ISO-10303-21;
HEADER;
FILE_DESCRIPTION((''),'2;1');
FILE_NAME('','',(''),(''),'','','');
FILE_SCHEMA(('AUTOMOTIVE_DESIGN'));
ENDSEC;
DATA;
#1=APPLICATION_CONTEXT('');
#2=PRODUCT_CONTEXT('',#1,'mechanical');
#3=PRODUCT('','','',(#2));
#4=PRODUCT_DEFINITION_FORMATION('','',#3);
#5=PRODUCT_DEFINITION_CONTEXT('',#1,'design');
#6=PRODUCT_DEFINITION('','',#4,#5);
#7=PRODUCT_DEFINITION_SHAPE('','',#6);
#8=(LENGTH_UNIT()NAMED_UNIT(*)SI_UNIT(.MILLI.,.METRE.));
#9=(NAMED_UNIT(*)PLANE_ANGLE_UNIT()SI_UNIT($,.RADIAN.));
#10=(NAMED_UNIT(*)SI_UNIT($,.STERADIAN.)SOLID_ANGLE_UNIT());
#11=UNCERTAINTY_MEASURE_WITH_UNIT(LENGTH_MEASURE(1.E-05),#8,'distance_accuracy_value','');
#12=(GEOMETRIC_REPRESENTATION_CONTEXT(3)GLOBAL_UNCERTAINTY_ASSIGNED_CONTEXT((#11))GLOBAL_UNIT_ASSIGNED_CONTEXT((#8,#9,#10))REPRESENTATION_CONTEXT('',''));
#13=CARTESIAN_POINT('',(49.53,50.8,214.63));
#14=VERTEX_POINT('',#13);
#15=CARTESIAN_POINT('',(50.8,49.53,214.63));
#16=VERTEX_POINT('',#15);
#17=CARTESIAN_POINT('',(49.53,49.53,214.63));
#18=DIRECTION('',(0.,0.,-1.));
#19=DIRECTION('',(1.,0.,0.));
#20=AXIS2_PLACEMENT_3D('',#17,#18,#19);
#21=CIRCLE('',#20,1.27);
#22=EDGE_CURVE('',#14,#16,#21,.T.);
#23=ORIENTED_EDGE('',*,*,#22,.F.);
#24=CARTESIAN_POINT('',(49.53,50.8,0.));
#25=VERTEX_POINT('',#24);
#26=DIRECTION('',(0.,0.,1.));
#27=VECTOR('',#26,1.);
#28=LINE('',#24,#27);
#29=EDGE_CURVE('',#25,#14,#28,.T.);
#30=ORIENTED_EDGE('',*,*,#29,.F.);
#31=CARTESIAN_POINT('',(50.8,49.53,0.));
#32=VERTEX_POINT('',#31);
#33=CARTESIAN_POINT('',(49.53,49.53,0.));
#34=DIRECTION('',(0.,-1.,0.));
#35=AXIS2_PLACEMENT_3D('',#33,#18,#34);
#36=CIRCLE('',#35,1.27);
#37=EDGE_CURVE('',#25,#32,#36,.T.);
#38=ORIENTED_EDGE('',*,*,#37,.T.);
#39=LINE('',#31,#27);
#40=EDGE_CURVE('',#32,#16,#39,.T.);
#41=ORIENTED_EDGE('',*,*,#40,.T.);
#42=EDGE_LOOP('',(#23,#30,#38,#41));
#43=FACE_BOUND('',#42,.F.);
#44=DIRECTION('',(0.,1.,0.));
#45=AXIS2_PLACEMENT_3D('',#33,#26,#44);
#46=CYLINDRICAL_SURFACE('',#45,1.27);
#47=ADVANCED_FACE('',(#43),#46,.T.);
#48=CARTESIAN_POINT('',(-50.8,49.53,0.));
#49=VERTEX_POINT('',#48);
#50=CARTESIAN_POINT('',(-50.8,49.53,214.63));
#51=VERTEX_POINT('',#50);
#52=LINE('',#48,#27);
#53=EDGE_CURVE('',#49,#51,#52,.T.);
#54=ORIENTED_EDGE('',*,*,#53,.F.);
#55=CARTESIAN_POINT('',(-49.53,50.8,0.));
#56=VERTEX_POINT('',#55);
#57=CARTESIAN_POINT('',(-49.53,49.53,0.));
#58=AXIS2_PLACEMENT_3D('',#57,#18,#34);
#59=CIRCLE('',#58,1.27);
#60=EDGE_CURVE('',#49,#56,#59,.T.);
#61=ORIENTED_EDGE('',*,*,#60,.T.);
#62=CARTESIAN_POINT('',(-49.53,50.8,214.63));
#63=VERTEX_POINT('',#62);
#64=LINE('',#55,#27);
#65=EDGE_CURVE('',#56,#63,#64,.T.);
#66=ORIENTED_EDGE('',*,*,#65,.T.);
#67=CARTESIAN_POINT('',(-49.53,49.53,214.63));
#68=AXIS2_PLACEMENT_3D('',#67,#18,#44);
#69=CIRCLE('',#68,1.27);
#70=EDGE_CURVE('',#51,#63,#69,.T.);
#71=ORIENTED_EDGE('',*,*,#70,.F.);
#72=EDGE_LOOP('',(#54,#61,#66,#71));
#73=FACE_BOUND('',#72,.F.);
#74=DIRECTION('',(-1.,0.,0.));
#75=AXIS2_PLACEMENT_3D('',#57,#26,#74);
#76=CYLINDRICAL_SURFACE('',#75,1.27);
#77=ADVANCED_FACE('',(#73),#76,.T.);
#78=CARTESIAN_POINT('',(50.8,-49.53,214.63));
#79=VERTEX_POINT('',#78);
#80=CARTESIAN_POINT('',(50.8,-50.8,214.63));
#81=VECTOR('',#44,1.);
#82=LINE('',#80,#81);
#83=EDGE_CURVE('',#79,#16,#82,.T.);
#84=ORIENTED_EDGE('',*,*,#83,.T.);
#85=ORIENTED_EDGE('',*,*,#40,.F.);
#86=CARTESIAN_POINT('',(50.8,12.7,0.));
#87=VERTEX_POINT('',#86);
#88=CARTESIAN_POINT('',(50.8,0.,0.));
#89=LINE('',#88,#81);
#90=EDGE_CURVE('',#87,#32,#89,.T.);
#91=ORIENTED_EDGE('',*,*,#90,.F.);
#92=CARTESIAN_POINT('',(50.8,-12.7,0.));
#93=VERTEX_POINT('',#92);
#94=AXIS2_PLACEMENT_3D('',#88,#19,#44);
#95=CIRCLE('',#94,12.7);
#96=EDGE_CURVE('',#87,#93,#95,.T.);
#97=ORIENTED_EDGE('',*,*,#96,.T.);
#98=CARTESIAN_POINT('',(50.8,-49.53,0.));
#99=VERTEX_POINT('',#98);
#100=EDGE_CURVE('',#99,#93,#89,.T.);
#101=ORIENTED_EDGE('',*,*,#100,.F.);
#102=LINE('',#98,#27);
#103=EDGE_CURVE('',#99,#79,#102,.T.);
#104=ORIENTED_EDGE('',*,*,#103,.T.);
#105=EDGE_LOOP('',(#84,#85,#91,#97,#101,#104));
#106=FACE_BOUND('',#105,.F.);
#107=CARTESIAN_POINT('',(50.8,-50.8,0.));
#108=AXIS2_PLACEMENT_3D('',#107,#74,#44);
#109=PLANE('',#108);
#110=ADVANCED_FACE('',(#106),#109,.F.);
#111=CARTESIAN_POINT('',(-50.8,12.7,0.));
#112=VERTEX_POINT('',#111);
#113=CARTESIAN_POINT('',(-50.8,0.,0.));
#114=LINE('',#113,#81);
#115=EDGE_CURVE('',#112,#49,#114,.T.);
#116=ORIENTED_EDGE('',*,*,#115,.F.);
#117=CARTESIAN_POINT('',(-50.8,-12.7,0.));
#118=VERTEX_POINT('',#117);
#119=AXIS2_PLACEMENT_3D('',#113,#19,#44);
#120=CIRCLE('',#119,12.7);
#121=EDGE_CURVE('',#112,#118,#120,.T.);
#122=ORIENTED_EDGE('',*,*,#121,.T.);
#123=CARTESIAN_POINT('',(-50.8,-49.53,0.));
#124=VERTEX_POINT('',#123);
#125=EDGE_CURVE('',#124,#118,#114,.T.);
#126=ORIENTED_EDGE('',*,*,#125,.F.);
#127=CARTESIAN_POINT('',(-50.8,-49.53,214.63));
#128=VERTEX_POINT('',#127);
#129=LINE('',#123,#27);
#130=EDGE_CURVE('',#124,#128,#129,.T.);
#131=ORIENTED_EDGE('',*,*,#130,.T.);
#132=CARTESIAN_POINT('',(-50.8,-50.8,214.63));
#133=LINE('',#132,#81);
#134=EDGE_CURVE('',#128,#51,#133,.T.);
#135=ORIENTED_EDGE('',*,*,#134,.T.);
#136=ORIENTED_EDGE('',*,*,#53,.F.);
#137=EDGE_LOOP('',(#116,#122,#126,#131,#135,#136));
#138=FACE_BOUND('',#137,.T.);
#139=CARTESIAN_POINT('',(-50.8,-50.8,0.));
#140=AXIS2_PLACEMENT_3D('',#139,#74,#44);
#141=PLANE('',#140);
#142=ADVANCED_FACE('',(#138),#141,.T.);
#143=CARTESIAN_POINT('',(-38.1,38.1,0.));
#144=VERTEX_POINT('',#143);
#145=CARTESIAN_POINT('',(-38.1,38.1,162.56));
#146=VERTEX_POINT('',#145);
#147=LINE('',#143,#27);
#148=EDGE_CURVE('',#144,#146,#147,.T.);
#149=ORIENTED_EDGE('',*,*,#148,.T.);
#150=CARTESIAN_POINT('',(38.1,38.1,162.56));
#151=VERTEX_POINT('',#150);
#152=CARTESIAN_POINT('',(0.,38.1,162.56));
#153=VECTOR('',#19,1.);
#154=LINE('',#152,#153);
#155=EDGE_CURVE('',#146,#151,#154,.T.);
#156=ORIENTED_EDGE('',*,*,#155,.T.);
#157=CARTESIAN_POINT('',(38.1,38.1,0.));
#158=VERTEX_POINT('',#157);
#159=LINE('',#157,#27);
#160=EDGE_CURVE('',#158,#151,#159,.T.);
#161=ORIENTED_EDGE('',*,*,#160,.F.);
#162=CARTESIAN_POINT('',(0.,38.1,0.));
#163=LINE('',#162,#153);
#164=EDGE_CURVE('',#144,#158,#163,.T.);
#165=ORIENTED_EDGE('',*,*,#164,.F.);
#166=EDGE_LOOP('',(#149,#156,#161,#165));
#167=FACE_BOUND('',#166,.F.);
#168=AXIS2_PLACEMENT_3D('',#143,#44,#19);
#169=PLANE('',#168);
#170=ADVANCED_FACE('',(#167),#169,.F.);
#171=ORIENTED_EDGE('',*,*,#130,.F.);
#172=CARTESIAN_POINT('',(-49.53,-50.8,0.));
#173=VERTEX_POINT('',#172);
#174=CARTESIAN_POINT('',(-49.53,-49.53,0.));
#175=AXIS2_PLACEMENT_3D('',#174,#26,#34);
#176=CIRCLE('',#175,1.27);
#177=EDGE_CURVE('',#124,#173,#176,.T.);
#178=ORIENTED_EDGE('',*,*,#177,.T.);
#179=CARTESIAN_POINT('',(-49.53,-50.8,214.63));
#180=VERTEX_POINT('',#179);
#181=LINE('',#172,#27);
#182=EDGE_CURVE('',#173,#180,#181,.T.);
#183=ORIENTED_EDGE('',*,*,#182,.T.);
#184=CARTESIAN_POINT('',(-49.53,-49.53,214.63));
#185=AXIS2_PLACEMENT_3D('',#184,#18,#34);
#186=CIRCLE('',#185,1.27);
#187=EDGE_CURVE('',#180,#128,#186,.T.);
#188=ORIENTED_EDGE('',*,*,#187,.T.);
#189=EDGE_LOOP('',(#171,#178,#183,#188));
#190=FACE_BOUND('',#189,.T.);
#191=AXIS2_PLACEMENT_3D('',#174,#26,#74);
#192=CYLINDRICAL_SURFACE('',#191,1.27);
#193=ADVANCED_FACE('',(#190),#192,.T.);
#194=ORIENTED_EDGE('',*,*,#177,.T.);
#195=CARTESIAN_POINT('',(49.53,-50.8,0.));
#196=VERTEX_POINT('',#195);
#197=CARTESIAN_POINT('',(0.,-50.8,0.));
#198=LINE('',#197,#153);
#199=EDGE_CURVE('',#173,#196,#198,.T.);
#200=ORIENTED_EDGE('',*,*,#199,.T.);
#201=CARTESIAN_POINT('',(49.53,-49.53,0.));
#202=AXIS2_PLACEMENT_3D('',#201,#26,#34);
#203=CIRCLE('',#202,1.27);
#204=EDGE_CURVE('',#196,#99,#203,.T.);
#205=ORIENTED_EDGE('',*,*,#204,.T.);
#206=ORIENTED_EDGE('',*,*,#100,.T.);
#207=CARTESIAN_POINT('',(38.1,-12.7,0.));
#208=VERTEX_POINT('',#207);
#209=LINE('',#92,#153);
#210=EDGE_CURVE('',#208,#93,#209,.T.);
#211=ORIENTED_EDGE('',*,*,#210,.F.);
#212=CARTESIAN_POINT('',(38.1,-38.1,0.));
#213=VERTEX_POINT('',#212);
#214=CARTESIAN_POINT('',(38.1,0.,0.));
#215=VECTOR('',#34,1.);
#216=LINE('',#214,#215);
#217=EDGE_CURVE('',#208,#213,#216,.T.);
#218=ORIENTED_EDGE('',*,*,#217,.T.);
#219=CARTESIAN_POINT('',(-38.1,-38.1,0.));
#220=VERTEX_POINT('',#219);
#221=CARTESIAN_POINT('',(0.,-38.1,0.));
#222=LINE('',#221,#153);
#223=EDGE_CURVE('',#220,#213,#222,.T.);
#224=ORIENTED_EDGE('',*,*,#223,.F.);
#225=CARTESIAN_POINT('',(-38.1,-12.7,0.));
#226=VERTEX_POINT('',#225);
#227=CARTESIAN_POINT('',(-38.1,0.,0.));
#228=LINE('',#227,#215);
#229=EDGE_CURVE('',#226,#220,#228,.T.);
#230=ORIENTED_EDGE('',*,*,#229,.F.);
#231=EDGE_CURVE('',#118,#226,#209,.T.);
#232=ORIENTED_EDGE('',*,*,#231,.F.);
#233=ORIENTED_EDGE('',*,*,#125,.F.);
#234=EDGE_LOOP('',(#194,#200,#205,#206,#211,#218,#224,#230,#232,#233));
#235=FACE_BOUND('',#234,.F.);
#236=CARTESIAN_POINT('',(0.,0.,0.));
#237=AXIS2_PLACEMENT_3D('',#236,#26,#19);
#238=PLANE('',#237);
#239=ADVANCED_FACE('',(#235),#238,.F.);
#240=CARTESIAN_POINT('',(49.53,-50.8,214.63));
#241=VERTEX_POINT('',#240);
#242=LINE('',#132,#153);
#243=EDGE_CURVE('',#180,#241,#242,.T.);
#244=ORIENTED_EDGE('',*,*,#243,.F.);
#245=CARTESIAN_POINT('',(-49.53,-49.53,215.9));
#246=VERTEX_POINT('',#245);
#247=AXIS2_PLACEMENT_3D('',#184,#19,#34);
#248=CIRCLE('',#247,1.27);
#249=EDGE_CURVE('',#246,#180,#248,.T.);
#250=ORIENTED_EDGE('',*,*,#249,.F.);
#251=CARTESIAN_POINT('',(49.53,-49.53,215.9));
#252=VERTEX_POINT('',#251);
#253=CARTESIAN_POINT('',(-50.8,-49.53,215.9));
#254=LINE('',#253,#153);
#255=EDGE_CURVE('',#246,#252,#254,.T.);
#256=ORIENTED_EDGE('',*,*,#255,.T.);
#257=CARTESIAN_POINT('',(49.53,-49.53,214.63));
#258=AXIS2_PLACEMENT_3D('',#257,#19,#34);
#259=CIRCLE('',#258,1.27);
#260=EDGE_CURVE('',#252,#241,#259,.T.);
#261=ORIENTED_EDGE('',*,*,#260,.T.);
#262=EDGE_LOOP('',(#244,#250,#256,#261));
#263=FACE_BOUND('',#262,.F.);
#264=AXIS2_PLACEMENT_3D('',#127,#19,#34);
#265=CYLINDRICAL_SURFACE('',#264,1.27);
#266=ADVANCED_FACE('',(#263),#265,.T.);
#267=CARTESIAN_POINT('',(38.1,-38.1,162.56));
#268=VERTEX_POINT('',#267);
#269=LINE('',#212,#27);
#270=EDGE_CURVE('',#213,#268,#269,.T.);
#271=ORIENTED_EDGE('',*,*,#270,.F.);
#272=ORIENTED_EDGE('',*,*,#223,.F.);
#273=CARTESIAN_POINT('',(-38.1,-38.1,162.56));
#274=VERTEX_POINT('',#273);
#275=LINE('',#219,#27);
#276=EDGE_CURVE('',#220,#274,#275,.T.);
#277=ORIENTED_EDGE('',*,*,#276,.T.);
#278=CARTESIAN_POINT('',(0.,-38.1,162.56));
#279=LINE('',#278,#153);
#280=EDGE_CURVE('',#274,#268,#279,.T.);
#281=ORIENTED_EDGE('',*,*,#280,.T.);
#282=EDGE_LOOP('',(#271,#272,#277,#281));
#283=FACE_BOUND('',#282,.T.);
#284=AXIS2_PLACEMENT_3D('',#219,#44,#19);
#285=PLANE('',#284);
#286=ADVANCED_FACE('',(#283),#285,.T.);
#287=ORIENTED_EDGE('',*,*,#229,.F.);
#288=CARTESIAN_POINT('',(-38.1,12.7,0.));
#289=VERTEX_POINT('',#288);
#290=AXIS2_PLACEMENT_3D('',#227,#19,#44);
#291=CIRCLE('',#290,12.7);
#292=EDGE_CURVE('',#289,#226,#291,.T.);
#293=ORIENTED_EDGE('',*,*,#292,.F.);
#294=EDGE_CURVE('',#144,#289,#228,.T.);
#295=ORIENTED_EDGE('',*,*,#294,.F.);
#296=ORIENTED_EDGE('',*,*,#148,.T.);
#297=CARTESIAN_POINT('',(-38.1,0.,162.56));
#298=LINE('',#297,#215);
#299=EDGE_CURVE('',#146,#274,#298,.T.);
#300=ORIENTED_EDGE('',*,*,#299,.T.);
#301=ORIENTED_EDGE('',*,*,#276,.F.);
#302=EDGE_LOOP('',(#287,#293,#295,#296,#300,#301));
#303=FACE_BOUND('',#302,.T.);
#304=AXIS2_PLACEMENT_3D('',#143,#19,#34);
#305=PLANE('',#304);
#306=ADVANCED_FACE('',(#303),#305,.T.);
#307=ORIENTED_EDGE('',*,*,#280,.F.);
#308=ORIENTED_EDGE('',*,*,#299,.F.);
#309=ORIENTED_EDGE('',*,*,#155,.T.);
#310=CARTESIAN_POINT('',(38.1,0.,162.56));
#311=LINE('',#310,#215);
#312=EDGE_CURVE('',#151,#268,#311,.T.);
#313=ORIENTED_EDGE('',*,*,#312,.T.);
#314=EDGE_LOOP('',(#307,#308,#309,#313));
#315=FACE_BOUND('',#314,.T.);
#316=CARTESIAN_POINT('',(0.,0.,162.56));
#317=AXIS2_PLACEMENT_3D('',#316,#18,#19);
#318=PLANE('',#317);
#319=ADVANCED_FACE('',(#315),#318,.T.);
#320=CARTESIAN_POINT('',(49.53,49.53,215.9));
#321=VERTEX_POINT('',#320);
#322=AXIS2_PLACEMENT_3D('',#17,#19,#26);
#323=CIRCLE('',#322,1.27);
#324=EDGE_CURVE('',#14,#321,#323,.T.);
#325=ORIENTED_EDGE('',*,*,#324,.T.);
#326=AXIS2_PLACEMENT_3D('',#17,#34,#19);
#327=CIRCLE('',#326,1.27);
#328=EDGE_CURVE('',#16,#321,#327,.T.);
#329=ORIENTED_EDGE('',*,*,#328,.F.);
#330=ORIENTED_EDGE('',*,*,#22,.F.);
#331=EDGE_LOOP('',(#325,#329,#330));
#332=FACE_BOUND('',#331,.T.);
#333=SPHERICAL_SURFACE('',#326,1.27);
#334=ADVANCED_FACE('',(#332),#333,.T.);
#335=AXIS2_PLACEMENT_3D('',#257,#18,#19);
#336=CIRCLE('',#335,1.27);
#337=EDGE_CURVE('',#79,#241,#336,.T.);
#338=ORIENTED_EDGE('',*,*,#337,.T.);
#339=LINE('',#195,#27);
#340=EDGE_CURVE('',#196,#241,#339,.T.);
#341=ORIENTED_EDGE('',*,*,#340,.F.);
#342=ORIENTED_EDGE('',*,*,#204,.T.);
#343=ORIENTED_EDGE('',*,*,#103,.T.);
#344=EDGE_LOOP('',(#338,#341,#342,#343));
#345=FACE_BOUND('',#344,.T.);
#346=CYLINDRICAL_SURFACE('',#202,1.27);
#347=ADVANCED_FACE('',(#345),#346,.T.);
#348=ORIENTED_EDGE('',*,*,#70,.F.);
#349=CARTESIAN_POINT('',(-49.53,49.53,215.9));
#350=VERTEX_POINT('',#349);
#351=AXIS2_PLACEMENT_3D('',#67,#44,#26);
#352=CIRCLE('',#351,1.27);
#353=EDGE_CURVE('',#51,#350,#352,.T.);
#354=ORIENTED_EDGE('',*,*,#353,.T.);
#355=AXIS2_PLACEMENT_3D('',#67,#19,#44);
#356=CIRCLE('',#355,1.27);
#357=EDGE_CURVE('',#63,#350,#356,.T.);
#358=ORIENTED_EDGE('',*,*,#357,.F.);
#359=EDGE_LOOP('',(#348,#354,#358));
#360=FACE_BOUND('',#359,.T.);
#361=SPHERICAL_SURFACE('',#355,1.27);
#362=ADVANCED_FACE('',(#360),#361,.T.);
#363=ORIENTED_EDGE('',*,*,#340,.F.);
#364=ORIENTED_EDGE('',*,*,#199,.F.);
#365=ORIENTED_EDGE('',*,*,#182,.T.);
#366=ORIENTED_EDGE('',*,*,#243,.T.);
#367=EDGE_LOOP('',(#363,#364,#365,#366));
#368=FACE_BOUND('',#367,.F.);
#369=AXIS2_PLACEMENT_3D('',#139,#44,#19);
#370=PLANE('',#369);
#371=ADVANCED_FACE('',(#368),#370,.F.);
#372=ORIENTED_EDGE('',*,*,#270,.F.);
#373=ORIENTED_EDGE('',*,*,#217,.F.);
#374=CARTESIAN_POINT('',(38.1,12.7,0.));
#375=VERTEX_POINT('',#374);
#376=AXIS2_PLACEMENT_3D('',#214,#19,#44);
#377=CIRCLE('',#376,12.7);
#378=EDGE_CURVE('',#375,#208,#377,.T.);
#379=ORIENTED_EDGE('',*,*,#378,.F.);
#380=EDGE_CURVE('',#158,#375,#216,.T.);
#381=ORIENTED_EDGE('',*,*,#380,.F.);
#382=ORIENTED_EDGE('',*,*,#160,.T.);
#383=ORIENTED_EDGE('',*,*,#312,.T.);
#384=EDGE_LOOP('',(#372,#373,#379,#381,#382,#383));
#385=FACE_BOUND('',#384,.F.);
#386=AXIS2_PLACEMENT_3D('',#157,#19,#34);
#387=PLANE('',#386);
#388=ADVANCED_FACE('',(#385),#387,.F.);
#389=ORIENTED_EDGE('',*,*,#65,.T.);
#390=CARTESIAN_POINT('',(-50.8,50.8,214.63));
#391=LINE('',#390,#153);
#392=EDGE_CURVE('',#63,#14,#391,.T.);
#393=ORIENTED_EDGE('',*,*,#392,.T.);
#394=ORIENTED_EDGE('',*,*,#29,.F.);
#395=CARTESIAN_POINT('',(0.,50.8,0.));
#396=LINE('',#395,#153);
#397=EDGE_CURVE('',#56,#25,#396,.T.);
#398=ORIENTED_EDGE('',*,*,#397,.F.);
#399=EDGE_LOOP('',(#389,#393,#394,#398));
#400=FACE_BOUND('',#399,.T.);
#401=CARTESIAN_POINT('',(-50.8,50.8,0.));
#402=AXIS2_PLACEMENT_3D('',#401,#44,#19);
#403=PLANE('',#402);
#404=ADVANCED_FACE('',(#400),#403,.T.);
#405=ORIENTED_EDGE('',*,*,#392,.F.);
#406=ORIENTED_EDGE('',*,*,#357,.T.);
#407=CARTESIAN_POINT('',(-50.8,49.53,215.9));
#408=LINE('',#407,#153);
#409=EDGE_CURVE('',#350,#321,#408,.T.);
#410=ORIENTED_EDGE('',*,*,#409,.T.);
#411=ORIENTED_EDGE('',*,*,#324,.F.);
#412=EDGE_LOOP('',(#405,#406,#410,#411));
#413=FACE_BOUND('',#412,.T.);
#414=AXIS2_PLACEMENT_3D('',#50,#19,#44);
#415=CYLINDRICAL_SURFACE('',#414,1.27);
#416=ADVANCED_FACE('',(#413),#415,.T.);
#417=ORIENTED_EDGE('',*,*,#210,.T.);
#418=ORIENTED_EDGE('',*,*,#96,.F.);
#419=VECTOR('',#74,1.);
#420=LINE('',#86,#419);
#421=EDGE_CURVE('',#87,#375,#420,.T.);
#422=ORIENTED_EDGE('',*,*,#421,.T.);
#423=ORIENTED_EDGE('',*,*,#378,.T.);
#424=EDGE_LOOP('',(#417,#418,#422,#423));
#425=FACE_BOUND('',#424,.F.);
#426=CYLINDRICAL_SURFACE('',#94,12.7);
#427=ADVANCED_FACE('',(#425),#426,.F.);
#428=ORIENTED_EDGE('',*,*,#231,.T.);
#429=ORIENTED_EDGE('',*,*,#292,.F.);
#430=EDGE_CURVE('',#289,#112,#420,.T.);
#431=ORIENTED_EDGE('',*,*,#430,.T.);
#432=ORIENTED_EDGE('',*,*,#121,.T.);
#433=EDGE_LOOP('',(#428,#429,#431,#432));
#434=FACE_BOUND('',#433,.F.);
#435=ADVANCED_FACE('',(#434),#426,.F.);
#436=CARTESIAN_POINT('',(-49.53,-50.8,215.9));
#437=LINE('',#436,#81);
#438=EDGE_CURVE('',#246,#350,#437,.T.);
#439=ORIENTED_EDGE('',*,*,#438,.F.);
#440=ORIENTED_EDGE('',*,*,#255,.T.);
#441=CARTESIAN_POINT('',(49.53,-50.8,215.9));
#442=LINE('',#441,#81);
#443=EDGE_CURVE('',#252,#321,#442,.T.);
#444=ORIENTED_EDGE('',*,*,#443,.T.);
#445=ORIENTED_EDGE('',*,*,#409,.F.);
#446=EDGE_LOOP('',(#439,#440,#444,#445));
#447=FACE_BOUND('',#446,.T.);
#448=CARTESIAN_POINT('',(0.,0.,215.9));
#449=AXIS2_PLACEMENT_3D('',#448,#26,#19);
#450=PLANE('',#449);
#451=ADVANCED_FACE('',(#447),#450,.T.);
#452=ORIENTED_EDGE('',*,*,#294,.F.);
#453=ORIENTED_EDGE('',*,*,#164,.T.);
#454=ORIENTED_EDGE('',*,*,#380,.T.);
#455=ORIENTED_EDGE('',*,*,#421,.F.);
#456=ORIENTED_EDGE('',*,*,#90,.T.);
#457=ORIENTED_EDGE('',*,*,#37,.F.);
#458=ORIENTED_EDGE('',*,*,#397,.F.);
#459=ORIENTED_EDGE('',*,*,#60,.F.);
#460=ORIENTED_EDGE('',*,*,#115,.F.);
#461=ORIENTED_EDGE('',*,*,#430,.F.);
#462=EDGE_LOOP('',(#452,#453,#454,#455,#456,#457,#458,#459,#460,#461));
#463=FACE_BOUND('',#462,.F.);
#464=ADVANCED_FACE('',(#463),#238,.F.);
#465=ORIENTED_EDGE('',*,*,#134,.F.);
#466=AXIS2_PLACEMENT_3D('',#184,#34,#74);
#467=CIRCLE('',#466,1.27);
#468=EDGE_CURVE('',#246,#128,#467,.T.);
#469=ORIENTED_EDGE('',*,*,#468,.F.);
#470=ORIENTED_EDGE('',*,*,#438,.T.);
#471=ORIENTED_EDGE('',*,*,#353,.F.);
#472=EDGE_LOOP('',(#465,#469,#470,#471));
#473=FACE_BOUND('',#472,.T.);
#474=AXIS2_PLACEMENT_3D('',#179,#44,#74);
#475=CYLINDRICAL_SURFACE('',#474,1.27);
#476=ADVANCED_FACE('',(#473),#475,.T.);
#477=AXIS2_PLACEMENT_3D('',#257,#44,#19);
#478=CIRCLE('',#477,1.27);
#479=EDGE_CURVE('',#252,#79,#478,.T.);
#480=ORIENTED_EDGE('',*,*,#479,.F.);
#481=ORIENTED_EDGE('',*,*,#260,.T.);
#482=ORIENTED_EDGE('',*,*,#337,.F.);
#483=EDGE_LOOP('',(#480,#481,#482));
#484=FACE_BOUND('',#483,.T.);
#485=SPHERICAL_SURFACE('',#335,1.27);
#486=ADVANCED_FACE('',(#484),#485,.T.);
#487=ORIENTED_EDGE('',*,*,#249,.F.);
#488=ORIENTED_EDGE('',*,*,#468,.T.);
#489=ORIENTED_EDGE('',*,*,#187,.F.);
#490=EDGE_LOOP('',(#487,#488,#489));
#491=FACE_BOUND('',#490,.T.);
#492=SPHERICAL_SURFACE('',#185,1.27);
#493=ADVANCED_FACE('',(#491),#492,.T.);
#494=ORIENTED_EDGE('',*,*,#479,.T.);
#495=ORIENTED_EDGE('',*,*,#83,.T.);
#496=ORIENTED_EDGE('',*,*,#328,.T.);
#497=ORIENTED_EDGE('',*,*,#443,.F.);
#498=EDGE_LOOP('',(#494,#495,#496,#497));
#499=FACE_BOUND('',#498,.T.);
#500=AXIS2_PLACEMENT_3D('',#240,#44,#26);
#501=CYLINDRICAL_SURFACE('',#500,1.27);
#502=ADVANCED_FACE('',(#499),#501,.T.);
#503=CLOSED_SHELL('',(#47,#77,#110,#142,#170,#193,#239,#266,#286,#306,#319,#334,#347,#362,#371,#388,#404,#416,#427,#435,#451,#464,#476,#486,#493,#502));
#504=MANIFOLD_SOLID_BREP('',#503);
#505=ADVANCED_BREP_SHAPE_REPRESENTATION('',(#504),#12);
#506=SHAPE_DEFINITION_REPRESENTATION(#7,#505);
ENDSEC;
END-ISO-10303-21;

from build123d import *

# Parameters (mm, degrees)
F0_W     = 101.6
F0_H     = 101.6
F1_DEPTH = 215.9
F2_W     = 76.2
F2_H     = 76.2
F3_DEPTH = 162.56
F4_R     = 1.27
F5_R     = 12.7
F6_DEPTH = 101.601


with BuildPart() as f1:
    # F0 (on Top) → F1 (new body)
    with BuildSketch(Plane.XY):
        Rectangle(F0_W, F0_H)
    extrude(amount=F1_DEPTH)

    # F2 (on face) → F3 (cut)
    with BuildSketch(Plane(origin=(0, 0, 0), x_dir=(1, 0, 0), z_dir=(0, 0, -1))):
        Rectangle(F2_W, F2_H)
    extrude(amount=-F3_DEPTH, mode=Mode.SUBTRACT)

    # F4
    f4_edges = [f1.edges().sort_by_distance(p)[0] for p in [
        (50.8, -50.8, 107.95),
        (50.8, 0, 215.9),
        (50.8, 50.8, 107.95),
        (-50.8, -50.8, 107.95),
        (0, -50.8, 215.9),
        (0, 50.8, 215.9),
        (-50.8, 50.8, 107.95),
        (-50.8, 0, 215.9),
    ]]
    fillet(f4_edges, radius=F4_R)

    # F5 (on face) → F6 (cut, through all)
    with BuildSketch(Plane.YZ.offset(50.8)):
        Circle(F5_R)
    extrude(amount=-F6_DEPTH, mode=Mode.SUBTRACT)


solid = f1.part
